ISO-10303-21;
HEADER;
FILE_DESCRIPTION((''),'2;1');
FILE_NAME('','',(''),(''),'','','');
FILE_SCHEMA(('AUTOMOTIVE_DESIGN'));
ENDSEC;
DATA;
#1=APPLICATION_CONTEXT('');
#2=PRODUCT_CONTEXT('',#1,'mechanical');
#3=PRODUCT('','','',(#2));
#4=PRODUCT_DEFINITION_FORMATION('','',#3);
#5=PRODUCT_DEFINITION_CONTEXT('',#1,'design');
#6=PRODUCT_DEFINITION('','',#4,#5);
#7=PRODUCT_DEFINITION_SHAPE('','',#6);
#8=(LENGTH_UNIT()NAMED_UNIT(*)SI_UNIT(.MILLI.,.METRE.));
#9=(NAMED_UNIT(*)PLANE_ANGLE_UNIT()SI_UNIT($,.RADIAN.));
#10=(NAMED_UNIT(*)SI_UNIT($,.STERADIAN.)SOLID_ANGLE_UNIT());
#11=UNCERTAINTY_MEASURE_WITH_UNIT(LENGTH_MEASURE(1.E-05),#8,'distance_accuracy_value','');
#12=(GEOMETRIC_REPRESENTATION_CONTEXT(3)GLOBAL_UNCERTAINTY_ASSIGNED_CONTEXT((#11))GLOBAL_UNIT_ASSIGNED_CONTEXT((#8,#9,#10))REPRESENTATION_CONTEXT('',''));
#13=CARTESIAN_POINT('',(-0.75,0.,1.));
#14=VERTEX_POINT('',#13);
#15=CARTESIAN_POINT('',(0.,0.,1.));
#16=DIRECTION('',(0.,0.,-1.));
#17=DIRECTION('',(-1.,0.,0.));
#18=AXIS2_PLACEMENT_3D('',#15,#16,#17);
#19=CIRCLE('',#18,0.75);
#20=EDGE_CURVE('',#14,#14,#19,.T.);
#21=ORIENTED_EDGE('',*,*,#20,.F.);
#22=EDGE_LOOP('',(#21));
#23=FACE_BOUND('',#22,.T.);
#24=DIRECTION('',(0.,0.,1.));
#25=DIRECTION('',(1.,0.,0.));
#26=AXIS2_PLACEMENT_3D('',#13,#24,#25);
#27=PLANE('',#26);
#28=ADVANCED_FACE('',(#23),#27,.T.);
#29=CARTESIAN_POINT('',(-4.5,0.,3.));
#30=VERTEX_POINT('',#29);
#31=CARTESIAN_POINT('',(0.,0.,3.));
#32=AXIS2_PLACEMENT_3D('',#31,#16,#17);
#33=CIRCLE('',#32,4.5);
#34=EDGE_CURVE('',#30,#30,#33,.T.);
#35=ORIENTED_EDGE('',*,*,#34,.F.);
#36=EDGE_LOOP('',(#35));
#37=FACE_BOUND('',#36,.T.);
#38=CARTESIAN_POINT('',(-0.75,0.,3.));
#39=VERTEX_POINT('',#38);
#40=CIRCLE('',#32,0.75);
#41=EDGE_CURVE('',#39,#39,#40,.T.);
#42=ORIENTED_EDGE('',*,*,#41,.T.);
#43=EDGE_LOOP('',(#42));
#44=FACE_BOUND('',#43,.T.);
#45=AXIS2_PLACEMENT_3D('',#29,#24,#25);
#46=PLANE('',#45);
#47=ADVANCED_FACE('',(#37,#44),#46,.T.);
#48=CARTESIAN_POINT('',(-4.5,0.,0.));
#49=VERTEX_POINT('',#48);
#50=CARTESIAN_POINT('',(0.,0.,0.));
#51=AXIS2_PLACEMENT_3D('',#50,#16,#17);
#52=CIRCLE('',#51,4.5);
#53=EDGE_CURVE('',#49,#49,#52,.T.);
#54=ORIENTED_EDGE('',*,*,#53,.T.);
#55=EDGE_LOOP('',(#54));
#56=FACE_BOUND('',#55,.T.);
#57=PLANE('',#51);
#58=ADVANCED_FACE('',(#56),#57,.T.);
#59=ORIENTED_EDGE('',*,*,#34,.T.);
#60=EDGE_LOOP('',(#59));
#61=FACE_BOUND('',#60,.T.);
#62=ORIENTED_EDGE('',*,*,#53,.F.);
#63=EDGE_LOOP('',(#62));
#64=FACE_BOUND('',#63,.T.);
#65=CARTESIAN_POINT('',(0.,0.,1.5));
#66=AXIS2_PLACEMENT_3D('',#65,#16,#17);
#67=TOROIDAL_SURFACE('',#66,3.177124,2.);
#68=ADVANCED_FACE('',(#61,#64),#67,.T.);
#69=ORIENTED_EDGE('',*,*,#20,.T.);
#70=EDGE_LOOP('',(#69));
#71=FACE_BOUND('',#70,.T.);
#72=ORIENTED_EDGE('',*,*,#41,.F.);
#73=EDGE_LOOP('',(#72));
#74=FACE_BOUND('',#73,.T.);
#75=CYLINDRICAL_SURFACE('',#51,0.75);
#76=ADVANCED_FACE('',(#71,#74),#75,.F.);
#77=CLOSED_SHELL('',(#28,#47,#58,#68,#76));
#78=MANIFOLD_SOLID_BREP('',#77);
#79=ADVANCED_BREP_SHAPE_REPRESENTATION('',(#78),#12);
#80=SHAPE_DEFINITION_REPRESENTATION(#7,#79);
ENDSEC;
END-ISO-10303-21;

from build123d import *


with BuildPart() as part:
    # Эскиз1 → Повернуть2 (revolve)
    with BuildSketch(Plane(origin=(0, 0, 0), x_dir=(1, 0, 0), z_dir=(0, 1, 0))):
        with BuildLine():
            Line((-4.5, -3), (-0.75, -3))
            Line((-0.75, -3), (-0.75, -1))
            Line((-0.75, -1), (0, -1))
            Line((0, -1), (0, 0))
            Line((0, 0), (-4.5, 0))
            ThreePointArc((-4.5, 0), (-5.177124344, -1.5), (-4.5, -3))
        make_face()
    revolve(axis=Axis((0, 0, 0), (0, 0, 1)))


solid = part.part
